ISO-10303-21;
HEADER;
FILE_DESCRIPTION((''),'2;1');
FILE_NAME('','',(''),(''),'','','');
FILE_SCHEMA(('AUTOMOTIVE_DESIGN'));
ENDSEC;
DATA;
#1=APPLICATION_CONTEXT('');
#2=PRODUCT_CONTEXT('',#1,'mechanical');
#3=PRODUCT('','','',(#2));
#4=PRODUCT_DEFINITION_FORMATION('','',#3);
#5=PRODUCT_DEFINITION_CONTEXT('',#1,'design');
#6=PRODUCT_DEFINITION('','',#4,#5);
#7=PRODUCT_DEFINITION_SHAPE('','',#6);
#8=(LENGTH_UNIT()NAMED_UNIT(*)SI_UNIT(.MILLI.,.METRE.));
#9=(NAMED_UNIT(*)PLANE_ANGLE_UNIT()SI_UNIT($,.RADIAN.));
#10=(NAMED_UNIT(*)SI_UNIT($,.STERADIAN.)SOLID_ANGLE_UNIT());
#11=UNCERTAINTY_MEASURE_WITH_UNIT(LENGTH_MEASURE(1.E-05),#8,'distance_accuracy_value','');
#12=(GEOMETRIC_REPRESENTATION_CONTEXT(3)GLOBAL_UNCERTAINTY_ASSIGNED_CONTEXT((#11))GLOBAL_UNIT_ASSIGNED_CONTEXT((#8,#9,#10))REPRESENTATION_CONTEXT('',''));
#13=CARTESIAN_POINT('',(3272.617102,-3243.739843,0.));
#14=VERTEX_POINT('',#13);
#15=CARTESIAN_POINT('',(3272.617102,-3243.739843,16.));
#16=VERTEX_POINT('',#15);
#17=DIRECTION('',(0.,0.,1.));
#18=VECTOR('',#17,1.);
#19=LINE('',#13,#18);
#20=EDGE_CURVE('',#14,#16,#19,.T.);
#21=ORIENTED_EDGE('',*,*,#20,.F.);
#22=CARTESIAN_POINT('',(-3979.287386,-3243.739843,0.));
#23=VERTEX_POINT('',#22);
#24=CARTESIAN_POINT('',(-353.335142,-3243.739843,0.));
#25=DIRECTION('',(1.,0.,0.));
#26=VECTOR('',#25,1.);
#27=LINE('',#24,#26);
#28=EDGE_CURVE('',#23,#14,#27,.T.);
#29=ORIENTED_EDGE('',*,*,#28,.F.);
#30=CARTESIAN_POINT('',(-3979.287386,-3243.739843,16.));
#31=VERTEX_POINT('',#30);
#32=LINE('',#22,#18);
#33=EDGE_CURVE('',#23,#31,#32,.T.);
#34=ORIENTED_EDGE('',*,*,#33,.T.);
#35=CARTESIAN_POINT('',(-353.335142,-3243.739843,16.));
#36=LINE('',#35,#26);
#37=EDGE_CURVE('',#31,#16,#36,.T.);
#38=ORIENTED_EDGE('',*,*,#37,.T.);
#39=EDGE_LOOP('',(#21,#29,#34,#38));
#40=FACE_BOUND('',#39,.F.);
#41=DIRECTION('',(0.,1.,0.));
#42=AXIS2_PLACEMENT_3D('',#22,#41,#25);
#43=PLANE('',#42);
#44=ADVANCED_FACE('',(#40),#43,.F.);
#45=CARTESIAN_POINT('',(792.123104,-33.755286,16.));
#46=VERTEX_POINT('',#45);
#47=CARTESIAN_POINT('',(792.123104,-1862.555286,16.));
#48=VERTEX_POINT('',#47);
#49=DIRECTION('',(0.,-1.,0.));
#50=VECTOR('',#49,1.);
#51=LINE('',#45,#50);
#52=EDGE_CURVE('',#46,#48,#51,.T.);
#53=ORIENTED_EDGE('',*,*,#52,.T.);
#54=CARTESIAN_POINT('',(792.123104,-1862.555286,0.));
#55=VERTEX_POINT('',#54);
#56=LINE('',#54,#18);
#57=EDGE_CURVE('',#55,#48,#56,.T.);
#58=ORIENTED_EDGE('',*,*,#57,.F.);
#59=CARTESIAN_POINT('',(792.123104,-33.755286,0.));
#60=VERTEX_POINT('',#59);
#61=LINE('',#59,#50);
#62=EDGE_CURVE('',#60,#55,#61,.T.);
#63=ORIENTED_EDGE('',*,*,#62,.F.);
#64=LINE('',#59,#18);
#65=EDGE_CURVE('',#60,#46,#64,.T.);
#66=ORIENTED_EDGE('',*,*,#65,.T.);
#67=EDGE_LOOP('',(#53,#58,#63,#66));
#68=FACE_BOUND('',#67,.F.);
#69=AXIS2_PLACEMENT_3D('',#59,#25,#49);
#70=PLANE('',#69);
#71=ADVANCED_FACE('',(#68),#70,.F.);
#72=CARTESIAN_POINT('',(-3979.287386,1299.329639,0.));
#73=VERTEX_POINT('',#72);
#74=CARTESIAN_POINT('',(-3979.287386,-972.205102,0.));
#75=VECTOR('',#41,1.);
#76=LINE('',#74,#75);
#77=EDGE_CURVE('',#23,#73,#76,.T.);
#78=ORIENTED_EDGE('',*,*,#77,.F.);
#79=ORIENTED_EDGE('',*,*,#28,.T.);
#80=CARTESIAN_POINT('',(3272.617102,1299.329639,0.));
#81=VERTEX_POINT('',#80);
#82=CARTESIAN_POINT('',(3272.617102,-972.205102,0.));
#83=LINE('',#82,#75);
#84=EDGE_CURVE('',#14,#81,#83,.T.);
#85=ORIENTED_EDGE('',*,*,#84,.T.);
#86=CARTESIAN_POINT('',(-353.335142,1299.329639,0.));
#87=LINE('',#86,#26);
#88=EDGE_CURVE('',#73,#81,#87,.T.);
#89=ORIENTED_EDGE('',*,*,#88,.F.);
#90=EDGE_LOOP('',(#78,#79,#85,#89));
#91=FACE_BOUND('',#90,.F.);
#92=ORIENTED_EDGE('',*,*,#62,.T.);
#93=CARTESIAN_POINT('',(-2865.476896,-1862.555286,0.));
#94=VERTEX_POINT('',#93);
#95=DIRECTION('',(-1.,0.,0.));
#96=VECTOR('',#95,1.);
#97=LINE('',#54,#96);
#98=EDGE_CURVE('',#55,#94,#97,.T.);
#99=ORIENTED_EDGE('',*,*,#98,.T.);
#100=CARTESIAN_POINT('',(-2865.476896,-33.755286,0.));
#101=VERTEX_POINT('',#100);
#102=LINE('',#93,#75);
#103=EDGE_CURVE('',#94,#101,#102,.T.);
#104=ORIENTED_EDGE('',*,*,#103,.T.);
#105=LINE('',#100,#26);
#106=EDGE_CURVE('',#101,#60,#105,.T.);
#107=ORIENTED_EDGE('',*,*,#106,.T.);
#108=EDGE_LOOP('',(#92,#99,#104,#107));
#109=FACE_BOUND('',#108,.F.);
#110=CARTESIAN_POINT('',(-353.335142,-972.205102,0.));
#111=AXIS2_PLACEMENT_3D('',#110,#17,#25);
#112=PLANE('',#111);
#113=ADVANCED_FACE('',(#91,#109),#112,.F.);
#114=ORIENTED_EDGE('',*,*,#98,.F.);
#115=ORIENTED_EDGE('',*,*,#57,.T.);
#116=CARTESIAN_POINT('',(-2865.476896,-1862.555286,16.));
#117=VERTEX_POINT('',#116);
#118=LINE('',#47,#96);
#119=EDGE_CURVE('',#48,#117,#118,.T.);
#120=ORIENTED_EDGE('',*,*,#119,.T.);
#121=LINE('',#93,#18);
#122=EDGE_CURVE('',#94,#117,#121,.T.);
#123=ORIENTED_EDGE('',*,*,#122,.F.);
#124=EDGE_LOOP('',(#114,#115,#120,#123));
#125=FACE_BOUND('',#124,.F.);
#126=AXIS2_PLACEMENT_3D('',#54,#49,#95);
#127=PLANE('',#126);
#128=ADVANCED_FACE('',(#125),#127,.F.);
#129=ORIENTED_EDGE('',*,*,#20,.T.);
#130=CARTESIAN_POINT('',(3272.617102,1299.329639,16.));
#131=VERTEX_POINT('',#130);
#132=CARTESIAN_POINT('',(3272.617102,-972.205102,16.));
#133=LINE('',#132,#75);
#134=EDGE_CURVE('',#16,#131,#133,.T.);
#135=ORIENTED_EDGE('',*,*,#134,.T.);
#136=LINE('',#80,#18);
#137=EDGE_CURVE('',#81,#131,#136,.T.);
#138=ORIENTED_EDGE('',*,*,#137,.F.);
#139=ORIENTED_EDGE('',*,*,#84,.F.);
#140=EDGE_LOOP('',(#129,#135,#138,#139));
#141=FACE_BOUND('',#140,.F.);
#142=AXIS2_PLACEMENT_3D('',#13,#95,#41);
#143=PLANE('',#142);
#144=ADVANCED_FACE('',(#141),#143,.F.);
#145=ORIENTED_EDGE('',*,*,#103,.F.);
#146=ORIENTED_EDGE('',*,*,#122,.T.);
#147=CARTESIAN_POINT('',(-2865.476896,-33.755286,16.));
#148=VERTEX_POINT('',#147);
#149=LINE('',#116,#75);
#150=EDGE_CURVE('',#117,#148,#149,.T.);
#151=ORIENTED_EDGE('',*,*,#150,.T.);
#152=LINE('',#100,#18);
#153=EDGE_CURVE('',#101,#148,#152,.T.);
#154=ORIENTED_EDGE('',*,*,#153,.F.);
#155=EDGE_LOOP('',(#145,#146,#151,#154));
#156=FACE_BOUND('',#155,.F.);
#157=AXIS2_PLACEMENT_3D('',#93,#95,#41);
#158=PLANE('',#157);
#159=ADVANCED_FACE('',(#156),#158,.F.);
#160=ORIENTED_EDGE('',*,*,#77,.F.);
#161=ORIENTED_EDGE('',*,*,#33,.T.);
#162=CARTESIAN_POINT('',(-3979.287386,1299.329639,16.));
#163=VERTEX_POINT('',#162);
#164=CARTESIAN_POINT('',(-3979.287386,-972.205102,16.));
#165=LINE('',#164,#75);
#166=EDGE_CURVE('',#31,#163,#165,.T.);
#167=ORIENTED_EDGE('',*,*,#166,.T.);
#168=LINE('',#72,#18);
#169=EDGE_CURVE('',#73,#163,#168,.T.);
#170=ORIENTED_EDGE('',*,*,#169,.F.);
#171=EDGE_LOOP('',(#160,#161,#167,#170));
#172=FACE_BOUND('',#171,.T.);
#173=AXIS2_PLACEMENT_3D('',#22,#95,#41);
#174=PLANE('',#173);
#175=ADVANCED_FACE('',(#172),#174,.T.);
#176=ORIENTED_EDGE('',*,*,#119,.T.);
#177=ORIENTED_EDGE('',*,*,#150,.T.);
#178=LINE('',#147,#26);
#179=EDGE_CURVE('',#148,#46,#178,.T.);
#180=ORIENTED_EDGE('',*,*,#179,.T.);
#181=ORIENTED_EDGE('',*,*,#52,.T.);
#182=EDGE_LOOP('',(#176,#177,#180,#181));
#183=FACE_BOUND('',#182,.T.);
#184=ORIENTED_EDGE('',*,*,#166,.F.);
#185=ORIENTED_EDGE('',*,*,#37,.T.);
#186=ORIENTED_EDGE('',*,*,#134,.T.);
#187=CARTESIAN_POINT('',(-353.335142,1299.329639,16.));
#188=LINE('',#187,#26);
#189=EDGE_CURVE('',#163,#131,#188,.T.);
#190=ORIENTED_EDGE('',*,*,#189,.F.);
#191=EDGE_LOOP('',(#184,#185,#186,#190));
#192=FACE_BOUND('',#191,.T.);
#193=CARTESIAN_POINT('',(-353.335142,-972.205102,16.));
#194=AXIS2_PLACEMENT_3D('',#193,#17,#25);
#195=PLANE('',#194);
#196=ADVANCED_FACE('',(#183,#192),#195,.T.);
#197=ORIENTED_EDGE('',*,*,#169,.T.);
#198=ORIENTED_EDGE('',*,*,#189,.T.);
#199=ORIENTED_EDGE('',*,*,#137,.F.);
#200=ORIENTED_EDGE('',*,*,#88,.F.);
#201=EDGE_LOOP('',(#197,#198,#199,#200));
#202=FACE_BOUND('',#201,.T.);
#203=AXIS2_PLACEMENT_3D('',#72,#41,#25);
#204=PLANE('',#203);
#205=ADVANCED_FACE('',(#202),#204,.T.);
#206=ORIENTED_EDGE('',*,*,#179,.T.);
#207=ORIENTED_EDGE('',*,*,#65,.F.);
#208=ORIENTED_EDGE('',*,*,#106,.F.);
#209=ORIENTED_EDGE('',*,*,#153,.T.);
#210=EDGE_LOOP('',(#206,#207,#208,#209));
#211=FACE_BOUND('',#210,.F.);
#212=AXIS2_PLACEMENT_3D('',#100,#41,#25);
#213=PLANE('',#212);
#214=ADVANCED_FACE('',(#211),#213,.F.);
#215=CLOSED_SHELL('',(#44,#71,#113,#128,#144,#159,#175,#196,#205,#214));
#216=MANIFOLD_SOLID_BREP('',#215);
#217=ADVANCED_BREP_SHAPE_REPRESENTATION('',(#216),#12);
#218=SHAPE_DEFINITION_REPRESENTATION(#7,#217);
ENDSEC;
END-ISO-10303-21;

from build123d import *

# Parameters (mm, degrees)
F0_W     = 7251.904488
F0_H     = 4543.069481
F1_DEPTH = 16


with BuildPart() as f1:
    # F0 (on Top) → F1 (new body)
    with BuildSketch(Plane.XY):
        with Locations((-353.335142, -972.205102)):
            Rectangle(F0_W, F0_H)
        Polygon((-2865.476896, -1862.555286), (-2865.476896, -33.755286), (-1366.876896, -33.755286), (792.123104, -33.755286), (792.123104, -1862.555286), align=None, mode=Mode.SUBTRACT)
    extrude(amount=F1_DEPTH)


solid = f1.part
